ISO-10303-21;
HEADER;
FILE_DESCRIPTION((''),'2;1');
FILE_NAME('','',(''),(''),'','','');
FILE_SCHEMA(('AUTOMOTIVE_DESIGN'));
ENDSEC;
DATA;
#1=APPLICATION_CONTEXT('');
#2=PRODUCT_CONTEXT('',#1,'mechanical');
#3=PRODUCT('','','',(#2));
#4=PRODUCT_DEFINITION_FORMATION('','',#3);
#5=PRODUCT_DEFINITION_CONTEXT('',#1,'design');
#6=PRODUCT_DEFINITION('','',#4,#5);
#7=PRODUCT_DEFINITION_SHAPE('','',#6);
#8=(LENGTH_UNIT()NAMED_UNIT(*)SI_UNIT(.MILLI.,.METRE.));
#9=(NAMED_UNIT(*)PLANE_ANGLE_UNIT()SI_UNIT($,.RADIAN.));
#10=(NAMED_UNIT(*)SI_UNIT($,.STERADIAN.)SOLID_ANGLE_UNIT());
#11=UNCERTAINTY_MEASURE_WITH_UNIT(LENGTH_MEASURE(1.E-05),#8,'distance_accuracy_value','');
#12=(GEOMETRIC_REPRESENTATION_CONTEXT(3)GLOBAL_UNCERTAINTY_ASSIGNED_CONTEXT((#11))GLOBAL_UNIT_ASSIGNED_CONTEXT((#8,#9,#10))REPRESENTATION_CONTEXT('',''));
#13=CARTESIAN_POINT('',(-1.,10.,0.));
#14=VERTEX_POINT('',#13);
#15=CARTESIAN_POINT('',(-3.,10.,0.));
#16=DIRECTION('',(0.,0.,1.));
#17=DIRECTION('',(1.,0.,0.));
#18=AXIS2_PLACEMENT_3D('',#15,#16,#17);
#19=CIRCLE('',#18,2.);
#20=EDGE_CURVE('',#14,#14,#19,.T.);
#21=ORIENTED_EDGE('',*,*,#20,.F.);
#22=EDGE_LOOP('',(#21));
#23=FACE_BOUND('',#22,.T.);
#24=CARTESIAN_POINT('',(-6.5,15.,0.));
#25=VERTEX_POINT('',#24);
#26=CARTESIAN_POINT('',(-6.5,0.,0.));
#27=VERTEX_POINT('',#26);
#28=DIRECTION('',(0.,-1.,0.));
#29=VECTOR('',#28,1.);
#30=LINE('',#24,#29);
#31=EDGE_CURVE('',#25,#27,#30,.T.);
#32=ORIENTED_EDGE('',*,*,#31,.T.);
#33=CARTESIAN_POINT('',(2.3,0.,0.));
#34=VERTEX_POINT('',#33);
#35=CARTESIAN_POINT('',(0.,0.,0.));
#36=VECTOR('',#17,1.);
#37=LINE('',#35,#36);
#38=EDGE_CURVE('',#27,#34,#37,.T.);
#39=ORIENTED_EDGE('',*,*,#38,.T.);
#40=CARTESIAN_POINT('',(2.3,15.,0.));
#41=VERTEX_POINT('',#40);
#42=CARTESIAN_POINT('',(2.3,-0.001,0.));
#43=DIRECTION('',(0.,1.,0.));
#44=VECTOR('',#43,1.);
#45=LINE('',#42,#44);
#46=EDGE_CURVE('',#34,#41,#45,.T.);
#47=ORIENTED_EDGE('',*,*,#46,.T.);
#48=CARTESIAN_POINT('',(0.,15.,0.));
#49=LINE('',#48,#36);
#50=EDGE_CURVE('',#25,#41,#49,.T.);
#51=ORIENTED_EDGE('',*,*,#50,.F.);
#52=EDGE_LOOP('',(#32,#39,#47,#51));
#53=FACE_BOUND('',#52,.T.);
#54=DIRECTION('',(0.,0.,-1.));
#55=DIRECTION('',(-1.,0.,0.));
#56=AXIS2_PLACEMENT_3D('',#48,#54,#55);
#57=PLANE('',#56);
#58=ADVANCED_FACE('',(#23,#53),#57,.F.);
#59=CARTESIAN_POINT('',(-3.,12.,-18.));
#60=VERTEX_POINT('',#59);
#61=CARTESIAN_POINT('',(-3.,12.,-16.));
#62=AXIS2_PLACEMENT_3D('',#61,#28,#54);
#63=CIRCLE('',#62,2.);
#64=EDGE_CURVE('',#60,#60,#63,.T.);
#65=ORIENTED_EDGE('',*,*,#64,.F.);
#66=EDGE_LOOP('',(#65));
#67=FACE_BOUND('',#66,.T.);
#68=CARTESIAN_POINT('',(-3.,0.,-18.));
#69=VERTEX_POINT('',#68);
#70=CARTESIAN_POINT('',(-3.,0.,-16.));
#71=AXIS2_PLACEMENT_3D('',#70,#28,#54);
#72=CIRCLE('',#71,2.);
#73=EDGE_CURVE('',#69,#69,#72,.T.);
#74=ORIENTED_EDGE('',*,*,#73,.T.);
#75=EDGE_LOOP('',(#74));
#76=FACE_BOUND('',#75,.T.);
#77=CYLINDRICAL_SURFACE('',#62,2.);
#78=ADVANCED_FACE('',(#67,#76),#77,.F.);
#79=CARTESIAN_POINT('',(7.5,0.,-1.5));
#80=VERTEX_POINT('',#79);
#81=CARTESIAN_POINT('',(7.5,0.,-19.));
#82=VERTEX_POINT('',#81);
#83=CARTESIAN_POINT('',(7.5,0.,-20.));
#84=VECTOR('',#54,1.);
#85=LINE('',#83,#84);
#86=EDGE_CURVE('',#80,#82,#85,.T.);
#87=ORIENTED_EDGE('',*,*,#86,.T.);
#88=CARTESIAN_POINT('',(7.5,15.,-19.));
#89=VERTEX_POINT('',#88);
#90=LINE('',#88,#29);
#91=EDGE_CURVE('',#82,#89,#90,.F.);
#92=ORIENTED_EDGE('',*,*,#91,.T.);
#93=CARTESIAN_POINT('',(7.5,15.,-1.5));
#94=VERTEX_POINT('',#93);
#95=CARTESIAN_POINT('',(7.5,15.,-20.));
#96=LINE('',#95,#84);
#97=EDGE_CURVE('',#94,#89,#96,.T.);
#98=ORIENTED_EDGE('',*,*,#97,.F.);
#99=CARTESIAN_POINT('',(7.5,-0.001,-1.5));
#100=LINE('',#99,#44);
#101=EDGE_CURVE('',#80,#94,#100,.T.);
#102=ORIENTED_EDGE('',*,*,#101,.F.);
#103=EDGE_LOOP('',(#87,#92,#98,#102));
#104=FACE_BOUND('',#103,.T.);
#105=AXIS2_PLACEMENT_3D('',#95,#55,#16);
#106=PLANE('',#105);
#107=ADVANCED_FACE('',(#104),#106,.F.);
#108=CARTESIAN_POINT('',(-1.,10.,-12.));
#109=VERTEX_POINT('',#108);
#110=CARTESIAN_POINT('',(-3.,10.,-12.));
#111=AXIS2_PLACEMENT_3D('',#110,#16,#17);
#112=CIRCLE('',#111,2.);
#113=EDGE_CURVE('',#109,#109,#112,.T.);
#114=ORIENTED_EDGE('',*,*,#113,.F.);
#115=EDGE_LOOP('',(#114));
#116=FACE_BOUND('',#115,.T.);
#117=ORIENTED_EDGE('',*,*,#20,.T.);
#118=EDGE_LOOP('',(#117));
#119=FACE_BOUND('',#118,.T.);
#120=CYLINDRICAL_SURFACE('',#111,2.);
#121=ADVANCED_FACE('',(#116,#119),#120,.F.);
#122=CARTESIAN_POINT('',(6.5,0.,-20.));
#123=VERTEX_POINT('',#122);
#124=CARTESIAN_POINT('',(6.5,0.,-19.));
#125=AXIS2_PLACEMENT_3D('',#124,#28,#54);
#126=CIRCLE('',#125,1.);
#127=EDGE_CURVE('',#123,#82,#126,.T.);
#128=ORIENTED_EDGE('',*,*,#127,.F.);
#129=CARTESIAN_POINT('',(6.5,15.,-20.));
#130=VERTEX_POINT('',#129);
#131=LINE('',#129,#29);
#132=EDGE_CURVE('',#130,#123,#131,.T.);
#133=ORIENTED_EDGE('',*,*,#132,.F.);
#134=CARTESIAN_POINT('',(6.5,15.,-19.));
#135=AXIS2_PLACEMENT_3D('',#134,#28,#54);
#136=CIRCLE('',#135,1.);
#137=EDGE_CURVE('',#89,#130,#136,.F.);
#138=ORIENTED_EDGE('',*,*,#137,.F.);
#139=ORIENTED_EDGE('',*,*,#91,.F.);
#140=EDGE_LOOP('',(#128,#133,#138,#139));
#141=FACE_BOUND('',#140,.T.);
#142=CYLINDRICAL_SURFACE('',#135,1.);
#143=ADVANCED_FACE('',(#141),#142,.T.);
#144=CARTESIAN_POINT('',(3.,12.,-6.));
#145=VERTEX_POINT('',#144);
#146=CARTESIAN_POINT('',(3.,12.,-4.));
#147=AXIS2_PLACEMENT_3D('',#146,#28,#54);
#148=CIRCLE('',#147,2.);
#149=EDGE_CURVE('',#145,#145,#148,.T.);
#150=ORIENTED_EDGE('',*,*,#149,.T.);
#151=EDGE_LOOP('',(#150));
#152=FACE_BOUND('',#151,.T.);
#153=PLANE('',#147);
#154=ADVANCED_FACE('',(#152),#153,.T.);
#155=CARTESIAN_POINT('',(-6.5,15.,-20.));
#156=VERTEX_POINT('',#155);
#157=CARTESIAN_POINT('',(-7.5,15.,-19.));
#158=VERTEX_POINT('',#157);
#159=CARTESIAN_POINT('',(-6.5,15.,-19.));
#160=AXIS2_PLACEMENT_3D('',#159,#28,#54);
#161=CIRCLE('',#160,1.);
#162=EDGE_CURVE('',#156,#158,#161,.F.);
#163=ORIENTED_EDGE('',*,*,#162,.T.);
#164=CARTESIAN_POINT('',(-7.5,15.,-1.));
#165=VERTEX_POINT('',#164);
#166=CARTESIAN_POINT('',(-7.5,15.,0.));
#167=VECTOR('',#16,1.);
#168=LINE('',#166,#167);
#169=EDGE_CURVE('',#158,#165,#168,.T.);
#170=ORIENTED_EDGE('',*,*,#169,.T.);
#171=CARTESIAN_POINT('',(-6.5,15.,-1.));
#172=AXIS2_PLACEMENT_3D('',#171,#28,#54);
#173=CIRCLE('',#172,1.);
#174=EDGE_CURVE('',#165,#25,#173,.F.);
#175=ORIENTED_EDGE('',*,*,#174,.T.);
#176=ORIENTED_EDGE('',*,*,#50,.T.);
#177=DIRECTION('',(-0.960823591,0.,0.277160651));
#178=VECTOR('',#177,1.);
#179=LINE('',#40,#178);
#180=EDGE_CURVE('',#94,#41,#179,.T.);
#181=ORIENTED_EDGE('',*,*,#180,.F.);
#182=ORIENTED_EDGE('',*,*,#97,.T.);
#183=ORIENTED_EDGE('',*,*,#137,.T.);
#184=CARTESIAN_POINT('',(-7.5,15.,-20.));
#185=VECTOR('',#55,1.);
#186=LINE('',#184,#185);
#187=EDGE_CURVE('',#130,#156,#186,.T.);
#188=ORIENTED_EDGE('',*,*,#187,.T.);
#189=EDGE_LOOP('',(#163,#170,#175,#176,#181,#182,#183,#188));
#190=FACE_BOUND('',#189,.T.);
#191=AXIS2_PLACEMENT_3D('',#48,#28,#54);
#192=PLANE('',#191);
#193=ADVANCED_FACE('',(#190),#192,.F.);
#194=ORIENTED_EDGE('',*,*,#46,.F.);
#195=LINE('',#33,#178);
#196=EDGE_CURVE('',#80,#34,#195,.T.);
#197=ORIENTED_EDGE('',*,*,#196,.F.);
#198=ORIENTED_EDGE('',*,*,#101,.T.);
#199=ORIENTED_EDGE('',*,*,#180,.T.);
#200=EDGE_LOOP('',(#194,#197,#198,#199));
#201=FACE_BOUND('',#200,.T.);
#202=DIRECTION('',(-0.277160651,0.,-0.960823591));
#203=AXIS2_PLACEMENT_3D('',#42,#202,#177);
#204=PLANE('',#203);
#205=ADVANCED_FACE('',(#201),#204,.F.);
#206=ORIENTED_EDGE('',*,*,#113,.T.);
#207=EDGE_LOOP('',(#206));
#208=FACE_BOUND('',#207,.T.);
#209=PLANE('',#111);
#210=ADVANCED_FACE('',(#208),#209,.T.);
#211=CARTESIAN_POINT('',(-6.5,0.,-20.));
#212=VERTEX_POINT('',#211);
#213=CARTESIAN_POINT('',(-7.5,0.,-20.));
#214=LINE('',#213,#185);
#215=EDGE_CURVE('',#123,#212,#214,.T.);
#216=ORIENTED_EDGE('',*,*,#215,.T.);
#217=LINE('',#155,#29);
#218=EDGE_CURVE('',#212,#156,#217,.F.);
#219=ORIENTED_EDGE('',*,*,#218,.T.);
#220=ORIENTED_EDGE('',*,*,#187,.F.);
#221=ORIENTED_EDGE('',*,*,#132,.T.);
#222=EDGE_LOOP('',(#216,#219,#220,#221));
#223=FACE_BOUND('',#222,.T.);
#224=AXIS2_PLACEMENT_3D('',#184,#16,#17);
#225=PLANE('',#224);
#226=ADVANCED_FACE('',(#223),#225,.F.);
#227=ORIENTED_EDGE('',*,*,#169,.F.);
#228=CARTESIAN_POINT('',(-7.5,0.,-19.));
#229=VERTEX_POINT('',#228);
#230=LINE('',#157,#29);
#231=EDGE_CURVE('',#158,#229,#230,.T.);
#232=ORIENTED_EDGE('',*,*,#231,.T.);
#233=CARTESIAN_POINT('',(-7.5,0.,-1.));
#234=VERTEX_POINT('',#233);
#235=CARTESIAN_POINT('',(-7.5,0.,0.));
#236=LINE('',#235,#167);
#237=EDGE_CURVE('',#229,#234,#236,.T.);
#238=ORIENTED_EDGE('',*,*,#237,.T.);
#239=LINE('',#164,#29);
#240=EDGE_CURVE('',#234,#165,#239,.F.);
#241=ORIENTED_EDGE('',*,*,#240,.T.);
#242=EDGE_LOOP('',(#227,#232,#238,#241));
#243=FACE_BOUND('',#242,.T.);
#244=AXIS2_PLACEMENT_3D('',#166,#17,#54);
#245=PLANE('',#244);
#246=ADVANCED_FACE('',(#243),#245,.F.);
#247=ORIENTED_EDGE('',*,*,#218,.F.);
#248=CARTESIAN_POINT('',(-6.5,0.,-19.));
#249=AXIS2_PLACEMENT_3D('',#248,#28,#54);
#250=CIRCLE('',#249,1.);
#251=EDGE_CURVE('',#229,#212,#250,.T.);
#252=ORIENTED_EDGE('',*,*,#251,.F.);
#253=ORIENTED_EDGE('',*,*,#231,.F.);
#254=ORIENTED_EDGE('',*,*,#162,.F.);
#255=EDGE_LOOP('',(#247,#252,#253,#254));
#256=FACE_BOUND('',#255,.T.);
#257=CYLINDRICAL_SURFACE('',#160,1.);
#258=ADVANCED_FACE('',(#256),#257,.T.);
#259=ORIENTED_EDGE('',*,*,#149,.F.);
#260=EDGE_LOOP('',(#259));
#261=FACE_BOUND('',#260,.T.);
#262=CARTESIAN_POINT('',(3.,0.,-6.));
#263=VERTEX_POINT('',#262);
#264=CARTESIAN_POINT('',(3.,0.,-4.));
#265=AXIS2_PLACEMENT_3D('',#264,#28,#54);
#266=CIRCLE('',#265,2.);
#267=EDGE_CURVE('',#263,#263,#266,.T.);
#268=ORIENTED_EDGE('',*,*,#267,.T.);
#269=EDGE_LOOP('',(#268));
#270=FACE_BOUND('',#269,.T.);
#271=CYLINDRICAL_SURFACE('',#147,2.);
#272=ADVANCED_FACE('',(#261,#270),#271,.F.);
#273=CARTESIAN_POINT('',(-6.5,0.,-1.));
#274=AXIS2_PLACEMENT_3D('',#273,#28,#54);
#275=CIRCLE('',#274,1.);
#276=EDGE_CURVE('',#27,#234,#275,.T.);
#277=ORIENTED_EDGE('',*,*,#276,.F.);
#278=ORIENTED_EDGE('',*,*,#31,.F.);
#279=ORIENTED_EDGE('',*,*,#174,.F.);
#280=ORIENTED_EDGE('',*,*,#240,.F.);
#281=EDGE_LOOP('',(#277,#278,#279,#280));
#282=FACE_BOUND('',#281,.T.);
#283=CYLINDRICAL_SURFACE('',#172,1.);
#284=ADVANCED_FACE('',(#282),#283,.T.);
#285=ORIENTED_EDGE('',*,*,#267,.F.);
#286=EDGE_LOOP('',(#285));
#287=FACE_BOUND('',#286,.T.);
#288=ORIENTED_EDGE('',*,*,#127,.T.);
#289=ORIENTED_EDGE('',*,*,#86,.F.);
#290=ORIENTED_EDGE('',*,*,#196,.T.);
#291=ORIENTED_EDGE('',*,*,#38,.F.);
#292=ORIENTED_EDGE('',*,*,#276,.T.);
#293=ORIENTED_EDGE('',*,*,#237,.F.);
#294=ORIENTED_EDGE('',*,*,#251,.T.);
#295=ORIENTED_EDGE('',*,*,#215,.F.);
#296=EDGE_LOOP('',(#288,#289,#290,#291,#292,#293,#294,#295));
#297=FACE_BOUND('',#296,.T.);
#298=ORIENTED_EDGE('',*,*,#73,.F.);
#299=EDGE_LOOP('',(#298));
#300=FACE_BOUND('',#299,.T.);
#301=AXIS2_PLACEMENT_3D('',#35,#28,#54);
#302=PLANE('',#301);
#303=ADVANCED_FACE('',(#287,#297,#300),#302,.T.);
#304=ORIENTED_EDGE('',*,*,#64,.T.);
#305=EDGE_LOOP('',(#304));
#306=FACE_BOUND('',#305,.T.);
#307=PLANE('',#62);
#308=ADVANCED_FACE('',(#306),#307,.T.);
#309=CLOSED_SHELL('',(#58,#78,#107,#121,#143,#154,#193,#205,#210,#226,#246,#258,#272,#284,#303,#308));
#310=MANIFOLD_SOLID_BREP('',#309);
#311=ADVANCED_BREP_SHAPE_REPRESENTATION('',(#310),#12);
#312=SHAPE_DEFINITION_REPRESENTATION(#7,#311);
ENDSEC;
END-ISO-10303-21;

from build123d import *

# Parameters (mm, degrees)
BOSS_EXTRU_1_DEPTH      = 15
ESQUISSE2_R             = 2
ENL_V_MAT_EXTRU_1_DEPTH = 12
ESQUISSE3_R             = 2
ENL_V_MAT_EXTRU_2_DEPTH = 12
CONG_1_R                = 1
ENL_V_MAT_EXTRU_3_REACH = 28.101


with BuildPart() as part:
    # Esquisse1 → Boss.-Extru.1 (new body)
    with BuildSketch(Plane(origin=(0, 0, 0), x_dir=(1, 0, 0), z_dir=(0, 1, 0))):
        Polygon((0, 0), (7.5, 0), (7.5, 20), (-7.5, 20), (-7.5, 0), align=None)
    extrude(amount=BOSS_EXTRU_1_DEPTH)

    # Esquisse2 → Enlèv. mat.-Extru.1 (cut)
    with BuildSketch(Plane.XZ):
        with Locations(Location((-3, -16, 0), (0, 0, 270))):
            Circle(ESQUISSE2_R)
        with Locations(Location((3, -4, 0), (0, 0, 270))):
            Circle(ESQUISSE2_R)
    extrude(amount=-ENL_V_MAT_EXTRU_1_DEPTH, mode=Mode.SUBTRACT)

    # Esquisse3 → Enlèv. mat.-Extru.2 (cut)
    with BuildSketch(Plane.XY):
        with Locations((-3, 10)):
            Circle(ESQUISSE3_R)
    extrude(amount=-ENL_V_MAT_EXTRU_2_DEPTH, mode=Mode.SUBTRACT)

    # Congé1
    cong_1_edges = [part.edges().sort_by_distance(p)[0] for p in [
        (-7.5, 7.5, 0),
        (-7.5, 7.5, -20),
        (7.5, 7.5, -20),
    ]]
    fillet(cong_1_edges, radius=CONG_1_R)

    # Esquisse5 → Enlèv. mat.-Extru.3 (cut, up to next)
    with BuildSketch(Plane(origin=(0, 15, 0), x_dir=(1, 0, 0), z_dir=(0, 1, 0)), mode=Mode.PRIVATE) as enl_v_mat_extru_3_sk1:
        Polygon((7.5, 0), (2.3, 0), (7.5, 1.5), align=None)
    enl_v_mat_extru_3_tool1 = extrude(enl_v_mat_extru_3_sk1.sketch, amount=-ENL_V_MAT_EXTRU_3_REACH, mode=Mode.PRIVATE) & part.part
    add(enl_v_mat_extru_3_tool1.solids().sort_by_distance((5.766667, 15, -0.5))[0], mode=Mode.SUBTRACT)


solid = part.part
